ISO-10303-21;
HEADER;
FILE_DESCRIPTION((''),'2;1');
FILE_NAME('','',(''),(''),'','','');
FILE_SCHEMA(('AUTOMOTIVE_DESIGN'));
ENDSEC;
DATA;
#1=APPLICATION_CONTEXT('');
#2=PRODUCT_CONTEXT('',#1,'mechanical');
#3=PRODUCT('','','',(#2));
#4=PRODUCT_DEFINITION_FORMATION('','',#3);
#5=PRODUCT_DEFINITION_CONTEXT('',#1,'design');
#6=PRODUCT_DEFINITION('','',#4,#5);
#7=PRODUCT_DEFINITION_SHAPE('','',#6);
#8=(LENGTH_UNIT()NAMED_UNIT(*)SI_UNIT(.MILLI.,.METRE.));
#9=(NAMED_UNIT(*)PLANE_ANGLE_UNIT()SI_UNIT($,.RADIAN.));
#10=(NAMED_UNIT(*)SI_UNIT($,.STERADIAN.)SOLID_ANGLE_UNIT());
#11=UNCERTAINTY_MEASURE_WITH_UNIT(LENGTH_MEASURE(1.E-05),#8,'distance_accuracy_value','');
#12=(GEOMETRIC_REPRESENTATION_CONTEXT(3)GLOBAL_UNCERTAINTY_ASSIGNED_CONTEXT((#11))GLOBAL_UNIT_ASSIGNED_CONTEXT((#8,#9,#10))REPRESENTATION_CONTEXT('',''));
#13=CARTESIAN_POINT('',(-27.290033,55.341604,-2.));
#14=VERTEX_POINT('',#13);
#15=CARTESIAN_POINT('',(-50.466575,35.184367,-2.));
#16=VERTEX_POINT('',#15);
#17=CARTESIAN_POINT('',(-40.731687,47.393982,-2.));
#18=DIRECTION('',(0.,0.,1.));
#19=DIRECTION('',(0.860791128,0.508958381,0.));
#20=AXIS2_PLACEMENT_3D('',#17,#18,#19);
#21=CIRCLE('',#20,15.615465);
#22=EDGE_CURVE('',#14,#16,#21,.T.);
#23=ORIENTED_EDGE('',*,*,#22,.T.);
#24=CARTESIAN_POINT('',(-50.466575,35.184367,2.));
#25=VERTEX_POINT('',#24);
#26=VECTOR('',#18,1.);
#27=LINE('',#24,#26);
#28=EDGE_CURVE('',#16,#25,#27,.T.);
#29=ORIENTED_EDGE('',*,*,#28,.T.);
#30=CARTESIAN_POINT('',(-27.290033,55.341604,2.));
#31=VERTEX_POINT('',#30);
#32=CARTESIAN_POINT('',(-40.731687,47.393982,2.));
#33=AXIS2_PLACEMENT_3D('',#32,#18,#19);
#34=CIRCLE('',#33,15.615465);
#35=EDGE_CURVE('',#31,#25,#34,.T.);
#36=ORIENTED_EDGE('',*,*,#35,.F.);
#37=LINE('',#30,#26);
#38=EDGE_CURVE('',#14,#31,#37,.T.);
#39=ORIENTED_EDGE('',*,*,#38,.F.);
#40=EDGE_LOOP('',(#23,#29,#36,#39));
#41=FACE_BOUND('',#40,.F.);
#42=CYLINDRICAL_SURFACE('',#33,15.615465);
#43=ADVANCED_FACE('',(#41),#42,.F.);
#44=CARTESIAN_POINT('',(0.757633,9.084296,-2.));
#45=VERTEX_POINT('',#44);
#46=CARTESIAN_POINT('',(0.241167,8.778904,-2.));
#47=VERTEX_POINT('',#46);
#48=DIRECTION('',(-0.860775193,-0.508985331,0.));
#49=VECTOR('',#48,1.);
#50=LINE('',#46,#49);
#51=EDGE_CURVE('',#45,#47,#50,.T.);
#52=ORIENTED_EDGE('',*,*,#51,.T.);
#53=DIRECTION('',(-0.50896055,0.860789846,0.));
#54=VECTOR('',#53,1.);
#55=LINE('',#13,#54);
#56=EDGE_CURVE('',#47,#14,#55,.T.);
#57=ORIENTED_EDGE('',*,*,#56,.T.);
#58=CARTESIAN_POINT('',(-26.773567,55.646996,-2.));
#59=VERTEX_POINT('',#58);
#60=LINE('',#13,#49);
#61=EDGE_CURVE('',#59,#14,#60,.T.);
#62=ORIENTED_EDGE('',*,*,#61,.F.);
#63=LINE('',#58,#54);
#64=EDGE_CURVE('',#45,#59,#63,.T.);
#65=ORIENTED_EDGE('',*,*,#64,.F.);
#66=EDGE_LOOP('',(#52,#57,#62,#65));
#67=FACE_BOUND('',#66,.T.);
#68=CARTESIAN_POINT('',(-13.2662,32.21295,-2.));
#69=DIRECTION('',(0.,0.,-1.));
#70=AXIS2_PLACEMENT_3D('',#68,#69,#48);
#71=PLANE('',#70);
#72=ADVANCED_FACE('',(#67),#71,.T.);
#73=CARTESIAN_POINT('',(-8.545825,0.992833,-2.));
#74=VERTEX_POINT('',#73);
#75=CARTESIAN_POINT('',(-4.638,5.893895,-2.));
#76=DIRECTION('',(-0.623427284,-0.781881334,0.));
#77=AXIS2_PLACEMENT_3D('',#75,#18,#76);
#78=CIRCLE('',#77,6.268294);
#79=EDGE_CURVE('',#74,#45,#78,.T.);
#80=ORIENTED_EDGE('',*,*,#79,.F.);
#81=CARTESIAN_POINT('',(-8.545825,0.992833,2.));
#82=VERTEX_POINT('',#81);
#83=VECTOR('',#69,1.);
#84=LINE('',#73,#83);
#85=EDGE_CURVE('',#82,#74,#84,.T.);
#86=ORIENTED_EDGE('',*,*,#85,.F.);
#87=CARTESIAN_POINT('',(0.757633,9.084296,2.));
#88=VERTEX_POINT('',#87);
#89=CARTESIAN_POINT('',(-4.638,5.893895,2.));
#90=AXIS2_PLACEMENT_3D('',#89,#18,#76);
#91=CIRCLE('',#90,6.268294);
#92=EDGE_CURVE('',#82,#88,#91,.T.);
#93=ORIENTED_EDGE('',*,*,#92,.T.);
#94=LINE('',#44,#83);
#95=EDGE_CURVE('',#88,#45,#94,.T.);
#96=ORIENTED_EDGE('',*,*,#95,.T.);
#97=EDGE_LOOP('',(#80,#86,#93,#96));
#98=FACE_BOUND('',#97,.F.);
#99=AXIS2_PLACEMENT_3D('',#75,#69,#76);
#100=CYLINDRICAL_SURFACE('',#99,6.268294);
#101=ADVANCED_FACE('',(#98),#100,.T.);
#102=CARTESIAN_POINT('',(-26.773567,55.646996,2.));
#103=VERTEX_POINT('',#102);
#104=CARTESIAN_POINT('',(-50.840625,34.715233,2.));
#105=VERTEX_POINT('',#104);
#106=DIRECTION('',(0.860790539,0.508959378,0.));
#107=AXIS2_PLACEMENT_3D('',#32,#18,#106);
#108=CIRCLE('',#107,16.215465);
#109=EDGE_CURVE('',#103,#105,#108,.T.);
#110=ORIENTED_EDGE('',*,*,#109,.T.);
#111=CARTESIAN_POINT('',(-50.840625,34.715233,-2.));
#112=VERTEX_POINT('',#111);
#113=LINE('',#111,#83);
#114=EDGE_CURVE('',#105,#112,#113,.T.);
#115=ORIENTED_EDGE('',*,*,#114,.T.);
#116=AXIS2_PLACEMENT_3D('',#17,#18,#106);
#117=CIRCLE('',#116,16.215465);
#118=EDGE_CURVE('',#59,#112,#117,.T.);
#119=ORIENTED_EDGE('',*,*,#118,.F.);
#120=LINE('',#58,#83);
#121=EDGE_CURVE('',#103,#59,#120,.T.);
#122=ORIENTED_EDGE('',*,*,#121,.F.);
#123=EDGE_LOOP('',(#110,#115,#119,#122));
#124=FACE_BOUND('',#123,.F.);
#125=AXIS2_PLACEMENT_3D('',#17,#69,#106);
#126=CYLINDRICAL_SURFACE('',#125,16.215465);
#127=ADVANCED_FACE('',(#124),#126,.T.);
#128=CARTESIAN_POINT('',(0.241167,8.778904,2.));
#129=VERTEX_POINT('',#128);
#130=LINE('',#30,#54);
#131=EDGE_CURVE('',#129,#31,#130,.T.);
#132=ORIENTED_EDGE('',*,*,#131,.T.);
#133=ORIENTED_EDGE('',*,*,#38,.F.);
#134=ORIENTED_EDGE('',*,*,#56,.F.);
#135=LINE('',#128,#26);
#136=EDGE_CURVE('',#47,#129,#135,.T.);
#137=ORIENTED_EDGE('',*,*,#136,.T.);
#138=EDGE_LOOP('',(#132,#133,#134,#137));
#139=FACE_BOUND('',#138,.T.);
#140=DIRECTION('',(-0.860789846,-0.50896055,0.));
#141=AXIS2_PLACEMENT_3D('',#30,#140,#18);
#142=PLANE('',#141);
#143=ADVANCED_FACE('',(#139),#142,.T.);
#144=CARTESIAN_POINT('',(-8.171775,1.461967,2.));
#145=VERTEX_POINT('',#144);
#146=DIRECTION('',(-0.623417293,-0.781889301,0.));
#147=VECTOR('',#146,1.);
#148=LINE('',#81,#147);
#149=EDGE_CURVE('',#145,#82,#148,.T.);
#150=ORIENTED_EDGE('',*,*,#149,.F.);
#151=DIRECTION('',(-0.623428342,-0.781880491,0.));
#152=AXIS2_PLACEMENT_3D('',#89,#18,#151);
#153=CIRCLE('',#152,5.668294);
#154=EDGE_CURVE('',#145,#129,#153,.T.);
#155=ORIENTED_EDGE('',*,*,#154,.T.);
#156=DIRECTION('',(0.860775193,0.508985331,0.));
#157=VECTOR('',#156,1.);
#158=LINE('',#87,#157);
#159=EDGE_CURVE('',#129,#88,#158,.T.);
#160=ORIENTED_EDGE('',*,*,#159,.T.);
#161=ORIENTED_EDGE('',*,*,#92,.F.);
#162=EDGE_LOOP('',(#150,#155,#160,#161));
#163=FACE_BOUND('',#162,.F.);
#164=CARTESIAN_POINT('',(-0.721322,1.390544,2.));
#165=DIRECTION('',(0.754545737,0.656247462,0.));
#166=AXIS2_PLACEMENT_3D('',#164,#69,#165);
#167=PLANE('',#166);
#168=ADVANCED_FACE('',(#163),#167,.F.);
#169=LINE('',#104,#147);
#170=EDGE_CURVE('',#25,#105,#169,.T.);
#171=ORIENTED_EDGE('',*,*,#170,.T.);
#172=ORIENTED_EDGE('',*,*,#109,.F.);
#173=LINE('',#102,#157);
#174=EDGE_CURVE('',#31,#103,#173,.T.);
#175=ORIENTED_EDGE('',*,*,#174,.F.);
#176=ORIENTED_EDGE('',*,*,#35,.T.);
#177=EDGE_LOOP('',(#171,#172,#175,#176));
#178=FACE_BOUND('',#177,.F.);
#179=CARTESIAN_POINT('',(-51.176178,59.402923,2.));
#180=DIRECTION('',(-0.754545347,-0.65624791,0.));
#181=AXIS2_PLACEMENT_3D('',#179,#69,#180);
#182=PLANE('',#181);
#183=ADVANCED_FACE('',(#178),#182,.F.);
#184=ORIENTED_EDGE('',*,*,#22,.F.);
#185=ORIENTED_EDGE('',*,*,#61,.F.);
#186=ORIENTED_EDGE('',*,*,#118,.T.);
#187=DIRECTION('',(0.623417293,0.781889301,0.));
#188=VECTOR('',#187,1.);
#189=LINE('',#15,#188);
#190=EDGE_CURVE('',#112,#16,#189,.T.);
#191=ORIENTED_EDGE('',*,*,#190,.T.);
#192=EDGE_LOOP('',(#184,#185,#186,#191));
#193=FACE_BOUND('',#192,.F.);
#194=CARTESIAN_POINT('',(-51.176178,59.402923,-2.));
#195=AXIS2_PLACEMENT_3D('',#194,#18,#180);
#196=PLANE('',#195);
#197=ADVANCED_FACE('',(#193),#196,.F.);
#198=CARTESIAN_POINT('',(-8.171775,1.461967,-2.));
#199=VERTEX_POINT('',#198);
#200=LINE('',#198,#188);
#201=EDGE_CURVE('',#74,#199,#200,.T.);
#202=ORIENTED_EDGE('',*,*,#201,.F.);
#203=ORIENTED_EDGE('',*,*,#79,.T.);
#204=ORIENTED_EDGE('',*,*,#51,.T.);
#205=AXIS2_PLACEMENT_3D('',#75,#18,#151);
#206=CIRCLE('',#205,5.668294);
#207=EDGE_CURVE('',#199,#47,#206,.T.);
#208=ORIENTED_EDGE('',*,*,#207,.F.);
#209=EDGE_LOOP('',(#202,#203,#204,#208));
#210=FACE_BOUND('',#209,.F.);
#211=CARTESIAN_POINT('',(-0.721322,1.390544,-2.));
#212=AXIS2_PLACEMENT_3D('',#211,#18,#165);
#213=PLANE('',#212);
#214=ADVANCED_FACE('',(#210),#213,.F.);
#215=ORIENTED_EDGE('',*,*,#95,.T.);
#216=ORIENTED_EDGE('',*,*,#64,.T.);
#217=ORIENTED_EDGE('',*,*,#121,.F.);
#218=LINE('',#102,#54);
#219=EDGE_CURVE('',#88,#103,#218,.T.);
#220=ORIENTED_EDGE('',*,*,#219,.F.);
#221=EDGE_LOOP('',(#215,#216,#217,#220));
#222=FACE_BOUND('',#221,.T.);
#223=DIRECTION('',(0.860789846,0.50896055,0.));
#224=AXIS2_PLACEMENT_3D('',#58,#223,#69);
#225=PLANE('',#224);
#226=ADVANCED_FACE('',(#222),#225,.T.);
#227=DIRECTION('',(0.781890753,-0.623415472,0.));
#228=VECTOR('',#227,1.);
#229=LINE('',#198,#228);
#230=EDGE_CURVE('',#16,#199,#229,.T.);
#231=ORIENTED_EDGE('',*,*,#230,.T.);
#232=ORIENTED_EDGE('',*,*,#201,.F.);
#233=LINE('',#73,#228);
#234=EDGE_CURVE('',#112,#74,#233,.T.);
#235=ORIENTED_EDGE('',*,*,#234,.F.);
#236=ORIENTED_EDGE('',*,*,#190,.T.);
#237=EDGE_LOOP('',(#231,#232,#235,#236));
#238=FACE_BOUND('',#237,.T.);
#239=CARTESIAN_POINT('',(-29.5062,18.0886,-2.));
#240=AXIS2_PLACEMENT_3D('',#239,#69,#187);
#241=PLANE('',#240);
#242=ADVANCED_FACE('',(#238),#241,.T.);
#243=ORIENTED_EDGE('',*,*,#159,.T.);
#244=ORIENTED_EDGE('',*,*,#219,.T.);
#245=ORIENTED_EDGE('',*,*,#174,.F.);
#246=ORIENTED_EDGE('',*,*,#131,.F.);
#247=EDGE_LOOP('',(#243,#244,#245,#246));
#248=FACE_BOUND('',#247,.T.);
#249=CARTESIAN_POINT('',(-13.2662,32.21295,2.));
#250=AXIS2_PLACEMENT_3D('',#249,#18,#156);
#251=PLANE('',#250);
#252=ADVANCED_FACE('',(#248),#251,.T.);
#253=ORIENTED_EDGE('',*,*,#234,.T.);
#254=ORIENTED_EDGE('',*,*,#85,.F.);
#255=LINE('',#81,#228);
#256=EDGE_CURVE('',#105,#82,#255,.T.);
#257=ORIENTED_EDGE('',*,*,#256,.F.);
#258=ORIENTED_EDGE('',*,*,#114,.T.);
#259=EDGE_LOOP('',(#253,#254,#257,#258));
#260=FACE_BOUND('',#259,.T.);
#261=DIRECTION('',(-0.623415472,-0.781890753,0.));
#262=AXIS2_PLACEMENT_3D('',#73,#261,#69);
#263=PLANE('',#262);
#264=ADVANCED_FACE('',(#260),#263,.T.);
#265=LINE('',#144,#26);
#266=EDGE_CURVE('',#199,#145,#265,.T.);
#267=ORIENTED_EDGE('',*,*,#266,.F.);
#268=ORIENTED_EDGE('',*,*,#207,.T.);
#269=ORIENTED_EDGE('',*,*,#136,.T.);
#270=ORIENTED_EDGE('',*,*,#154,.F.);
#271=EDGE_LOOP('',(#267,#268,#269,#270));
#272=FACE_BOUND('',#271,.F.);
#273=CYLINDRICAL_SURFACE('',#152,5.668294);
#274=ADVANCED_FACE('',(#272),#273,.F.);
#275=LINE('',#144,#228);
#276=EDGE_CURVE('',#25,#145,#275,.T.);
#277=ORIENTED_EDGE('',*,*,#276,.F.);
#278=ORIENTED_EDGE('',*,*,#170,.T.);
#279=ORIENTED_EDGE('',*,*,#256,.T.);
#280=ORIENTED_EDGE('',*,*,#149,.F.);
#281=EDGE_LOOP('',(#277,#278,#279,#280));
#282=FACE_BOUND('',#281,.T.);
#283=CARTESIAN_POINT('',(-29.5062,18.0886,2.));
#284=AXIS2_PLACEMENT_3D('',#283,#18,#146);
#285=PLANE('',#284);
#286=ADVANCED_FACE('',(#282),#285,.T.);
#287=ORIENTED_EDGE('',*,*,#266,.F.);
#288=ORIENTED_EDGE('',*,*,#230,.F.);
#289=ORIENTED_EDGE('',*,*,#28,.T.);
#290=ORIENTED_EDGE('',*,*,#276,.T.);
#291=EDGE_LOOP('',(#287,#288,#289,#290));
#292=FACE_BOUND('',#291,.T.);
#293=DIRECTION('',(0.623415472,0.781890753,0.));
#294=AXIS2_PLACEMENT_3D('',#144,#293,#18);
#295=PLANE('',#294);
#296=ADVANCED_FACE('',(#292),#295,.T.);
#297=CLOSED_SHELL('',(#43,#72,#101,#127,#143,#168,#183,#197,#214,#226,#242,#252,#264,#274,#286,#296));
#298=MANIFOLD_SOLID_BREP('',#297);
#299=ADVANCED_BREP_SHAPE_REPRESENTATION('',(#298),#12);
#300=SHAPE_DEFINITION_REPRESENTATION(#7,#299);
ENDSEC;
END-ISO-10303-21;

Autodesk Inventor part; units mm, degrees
sketch "Sketch Path" plane through (0, 0, 0) normal (0, 0, 1) x (1, 0, 0)
  arc A0 (-8.3588, 1.2274) -> (0.4994, 8.9316) centre (-4.638, 5.8939) ccw
  arc A1 (-27.0318, 55.4943) -> (-50.6536, 34.9498) centre (-40.7317, 47.3939) ccw
  line L0 (-27.0318, 55.4943) -> (0.4994, 8.9316)
  line L1 (-8.3588, 1.2274) -> (-50.6536, 34.9498)
ref_plane "Cross Section Plane" through (0.4994, 8.9316, 0) normal (-0.509, 0.8608, 0) x (0, 0, 1)
ref_plane "Work Plane2" through (-4.638, 5.8939, 0) normal (-1, 0, 0) x (0, 0, 1)
ref_plane "Work Plane3" through (-40.7317, 47.3939, 0) normal (0.7562, -0.6543, 0) x (0, 0, 1)
sketch "Cross Section" plane through (0.4994, 8.9316, 0) normal (-0.509, 0.8608, 0) x (0, 0, 1)
  line L0 (-2, 0.3) -> (2, 0.3)
  line L1 (2, 0.3) -> (2, -0.3)
  line L2 (2, -0.3) -> (-2, -0.3)
  line L3 (-2, -0.3) -> (-2, 0.3)
  line L4 (-2, 0) -> (2, 0) construction
  point P0 (0, 0)
  point P1 (0, 0)
  dimension "d0" = 4
  dimension "d4" = 0.3
  dimension "d5" = 0.3
sweep "Belt" add profiles "Cross Section" path "Sketch Path"
equation "\"d0\" = da_B"
equation "\"d4\" = da_a"
equation "\"d5\" = da_a2"
equation "\"da_B\" = 4"
equation "\"da_pb\" = 2.5"
equation "\"da_L\" = 180.55398"
equation "\"da_a\" = 0.3"
equation "\"da_S\" = 1.5"
equation "\"da_Beta\" = 20deg"
equation "\"da_Ht\" = 0.7"
equation "\"da_H\" = 1.3"
equation "\"da_a2\" = 0.3"
properties part number "Synchronous Belt" material "Rubber"
